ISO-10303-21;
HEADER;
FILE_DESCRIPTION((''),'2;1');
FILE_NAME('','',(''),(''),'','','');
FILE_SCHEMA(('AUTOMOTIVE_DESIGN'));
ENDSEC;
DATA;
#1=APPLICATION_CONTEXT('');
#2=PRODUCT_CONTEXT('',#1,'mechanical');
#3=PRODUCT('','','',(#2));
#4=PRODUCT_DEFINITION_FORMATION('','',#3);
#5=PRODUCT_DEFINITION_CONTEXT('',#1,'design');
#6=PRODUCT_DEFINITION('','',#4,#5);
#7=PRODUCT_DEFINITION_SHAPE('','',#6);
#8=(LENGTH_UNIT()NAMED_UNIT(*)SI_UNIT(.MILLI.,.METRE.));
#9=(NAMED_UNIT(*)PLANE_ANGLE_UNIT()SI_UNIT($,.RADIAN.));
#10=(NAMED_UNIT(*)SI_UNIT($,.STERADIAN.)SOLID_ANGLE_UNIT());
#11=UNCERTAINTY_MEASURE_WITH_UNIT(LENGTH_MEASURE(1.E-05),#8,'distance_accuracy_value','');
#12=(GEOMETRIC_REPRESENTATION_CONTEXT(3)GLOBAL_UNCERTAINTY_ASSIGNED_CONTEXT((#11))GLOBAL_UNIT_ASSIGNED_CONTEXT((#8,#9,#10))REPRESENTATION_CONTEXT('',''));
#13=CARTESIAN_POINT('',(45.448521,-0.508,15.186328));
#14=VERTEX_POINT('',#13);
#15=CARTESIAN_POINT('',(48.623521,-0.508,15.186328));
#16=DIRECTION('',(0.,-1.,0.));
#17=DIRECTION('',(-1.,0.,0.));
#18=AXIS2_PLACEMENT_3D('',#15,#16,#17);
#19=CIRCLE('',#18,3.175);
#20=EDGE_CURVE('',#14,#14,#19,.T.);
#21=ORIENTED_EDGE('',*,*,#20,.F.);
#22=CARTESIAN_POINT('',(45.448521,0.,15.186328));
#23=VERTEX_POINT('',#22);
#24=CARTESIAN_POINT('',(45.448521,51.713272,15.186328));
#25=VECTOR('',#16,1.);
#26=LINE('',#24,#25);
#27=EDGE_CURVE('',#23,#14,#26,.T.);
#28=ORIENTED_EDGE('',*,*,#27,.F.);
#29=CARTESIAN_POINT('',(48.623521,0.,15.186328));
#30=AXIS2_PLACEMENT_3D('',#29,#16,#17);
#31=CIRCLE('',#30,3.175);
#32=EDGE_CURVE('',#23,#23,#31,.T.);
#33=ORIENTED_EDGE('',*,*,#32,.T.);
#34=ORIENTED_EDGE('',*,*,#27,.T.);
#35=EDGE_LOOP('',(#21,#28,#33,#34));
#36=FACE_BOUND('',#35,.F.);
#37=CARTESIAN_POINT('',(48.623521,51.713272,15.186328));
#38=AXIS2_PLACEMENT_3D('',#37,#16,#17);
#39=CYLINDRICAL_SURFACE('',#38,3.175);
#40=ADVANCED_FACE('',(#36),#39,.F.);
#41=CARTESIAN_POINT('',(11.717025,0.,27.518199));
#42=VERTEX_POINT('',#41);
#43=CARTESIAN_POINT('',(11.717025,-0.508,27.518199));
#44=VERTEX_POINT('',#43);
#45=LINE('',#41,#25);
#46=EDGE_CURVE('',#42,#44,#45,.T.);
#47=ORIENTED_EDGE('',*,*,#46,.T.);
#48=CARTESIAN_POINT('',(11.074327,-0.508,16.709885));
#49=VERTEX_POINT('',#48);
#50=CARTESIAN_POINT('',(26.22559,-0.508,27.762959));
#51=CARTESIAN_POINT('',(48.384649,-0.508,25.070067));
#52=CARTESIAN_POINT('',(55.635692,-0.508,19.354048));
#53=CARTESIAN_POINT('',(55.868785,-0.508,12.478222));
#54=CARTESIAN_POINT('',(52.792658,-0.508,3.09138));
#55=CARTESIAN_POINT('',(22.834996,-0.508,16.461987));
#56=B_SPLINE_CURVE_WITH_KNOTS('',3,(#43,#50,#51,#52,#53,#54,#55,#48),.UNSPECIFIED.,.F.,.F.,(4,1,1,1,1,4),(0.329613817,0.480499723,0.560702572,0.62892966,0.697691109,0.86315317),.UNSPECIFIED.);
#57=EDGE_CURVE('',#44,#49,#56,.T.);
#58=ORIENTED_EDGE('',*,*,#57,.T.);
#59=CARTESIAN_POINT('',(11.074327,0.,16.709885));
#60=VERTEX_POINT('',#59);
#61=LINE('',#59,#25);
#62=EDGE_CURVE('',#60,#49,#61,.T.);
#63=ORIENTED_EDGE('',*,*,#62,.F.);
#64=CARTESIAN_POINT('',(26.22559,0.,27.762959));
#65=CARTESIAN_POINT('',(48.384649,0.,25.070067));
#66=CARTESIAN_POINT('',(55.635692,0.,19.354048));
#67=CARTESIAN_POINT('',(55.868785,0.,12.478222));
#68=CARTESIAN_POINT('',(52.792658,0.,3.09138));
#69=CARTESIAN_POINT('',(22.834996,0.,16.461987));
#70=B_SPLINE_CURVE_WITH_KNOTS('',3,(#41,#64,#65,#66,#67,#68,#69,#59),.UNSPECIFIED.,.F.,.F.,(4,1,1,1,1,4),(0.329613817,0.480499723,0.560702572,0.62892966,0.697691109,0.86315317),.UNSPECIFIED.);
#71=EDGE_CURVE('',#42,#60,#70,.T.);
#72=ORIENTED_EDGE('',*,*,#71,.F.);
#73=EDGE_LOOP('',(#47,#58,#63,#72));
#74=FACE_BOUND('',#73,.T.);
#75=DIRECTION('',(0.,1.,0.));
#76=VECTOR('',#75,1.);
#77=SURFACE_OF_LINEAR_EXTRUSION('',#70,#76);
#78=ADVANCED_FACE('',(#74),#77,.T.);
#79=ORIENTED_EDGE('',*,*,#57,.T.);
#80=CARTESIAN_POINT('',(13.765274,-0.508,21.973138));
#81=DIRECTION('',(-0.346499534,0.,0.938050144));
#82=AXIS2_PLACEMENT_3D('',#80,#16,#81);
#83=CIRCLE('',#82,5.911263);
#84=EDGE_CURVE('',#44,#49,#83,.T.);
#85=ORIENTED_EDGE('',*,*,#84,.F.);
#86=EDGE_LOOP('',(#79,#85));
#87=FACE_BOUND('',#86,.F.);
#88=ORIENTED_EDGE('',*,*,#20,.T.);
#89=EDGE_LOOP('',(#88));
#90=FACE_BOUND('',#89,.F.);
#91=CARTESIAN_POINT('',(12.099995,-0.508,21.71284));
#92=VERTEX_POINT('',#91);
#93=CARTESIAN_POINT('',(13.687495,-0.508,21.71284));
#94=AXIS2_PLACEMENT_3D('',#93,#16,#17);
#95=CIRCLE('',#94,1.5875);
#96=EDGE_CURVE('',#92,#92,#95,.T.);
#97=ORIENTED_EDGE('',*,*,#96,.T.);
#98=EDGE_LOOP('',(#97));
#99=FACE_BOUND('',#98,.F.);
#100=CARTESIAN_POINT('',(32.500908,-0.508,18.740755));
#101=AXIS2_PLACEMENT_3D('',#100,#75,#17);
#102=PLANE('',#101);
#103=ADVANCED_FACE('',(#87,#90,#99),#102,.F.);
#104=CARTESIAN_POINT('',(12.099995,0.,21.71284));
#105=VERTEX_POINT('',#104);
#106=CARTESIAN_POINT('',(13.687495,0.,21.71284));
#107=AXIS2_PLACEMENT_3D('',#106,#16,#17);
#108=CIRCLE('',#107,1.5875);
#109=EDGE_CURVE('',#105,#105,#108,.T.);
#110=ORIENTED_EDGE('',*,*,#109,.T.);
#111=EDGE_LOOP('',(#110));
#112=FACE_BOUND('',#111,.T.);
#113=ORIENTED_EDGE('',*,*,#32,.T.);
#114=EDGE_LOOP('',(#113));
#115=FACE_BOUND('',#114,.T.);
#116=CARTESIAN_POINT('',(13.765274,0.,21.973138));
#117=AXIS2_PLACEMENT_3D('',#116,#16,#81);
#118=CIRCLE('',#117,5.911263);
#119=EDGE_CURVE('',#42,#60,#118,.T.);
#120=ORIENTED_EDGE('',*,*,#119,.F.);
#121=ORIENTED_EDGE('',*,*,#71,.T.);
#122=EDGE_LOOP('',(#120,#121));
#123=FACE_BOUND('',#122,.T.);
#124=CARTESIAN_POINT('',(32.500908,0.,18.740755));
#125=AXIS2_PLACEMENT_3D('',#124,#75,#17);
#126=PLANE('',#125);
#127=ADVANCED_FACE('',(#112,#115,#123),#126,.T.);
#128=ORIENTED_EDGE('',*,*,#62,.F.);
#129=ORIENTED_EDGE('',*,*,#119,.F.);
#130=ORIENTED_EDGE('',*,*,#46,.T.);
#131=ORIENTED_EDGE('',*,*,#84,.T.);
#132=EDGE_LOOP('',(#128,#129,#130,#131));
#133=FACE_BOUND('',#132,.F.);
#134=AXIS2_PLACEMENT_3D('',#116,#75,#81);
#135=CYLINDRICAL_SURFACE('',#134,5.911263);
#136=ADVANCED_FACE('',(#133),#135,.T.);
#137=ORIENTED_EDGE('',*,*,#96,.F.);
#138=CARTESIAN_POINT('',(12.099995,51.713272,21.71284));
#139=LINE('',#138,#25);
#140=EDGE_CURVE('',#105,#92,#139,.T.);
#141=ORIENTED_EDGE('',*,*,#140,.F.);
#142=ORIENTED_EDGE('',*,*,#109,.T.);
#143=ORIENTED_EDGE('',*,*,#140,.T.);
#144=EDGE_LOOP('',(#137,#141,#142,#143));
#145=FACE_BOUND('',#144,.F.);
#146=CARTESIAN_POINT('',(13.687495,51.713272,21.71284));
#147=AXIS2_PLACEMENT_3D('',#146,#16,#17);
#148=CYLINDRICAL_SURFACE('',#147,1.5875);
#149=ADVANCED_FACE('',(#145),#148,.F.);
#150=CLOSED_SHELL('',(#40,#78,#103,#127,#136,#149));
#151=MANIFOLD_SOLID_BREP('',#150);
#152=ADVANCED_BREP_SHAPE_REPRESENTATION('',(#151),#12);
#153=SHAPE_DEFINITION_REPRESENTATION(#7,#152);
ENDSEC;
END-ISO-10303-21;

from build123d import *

# Parameters (mm, degrees)
F1_DEPTH = 0.508
F2_D     = 6.35
F3_D     = 3.175


with BuildPart() as f1:
    # F0 (on Front) → F1 (new body)
    with BuildSketch(Plane.XZ):
        with BuildLine():
            add(Edge.make_bspline(
                [(11.7170246186, 27.5181992918), (26.2255903847, 27.7629586116), (48.3846492687, 25.0700674705), (55.6356924136, 19.3540475045), (55.8687851234, 12.478221614), (52.7926576137, 3.0913798232), (22.8349964924, 16.4619868897), (11.0743273574, 16.709885222)],
                knots=[0.3296138166, 0.3296138166, 0.3296138166, 0.3296138166, 0.480499723, 0.5607025722, 0.6289296599, 0.6976911092, 0.8631531697, 0.8631531697, 0.8631531697, 0.8631531697], degree=3))
            ThreePointArc((11.7170246186, 27.5181992918), (7.864434674, 22.32402127), (11.0743273574, 16.709885222))
        make_face()
    extrude(amount=F1_DEPTH)

    # F2 (through all)
    with Locations(Plane(origin=(0, 0, 0), x_dir=(1, 0, 0), z_dir=(0, 1, 0))):
        with Locations((48.6235208809, -15.1863284409)):
            Hole(F2_D / 2)

    # F3 (through all)
    with Locations(Plane(origin=(0, 0, 0), x_dir=(1, 0, 0), z_dir=(0, 1, 0))):
        with Locations((13.6874951422, -21.7128396034)):
            Hole(F3_D / 2)


solid = f1.part
